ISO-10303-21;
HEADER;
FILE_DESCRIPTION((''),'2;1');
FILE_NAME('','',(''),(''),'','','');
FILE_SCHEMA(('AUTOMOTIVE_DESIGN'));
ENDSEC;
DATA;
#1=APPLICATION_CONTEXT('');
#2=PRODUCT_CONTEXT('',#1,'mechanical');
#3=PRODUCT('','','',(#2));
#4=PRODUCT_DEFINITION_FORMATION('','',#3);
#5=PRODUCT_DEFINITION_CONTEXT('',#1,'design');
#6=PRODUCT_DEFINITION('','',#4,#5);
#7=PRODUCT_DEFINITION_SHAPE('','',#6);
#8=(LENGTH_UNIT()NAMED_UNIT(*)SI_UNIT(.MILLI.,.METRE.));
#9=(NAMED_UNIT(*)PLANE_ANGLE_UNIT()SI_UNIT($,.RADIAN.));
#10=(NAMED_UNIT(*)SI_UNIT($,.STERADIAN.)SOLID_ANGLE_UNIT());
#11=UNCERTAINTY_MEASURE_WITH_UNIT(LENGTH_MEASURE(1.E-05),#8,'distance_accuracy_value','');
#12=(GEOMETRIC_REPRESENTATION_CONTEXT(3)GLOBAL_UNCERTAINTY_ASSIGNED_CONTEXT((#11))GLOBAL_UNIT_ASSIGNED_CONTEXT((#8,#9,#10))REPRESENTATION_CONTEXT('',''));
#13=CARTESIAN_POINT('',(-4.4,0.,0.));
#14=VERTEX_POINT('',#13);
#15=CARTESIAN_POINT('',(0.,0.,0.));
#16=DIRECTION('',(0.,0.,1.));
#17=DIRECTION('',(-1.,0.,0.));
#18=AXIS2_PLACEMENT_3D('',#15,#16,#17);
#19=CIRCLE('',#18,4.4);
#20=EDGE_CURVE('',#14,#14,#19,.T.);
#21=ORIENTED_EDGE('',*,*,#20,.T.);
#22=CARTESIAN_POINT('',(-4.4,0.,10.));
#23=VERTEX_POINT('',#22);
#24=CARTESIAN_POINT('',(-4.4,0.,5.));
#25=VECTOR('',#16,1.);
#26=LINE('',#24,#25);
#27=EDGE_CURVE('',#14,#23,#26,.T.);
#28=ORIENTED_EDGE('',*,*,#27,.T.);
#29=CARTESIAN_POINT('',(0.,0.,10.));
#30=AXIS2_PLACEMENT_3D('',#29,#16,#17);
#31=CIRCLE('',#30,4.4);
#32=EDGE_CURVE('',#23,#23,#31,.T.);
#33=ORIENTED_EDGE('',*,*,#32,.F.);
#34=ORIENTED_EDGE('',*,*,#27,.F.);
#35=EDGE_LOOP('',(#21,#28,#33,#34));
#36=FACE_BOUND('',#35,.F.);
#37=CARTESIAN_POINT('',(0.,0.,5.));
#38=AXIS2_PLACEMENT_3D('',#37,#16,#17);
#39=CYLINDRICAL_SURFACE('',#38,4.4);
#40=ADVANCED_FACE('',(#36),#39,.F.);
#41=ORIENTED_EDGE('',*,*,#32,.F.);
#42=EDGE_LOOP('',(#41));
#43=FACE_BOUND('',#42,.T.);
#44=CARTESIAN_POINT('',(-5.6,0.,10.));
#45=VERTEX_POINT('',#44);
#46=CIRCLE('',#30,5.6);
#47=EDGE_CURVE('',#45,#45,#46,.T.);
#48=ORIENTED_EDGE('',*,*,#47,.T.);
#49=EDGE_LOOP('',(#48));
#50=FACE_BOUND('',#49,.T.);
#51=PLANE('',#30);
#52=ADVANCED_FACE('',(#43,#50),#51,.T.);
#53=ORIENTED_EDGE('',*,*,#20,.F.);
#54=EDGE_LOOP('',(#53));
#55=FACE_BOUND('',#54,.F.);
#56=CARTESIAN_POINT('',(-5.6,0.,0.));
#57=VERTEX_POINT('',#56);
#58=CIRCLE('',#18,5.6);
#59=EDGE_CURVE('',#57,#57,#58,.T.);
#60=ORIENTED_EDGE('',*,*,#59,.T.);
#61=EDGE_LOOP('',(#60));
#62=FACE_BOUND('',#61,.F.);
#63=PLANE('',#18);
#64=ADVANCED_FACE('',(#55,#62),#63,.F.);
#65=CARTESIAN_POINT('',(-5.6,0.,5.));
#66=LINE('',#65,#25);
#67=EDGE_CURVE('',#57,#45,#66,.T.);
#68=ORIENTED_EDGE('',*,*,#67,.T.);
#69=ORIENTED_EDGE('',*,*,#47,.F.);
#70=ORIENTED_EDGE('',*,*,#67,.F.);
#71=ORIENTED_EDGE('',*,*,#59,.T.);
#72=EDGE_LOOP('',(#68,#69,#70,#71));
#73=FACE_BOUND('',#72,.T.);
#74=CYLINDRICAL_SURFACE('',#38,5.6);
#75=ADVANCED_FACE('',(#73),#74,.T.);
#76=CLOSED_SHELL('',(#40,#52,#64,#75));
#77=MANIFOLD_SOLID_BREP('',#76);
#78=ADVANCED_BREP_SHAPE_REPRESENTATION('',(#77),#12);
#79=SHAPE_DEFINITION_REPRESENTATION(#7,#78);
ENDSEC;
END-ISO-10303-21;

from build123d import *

# Parameters (mm, degrees)
SKETCH_W = 1.2
SKETCH_H = 10


with BuildPart() as part:
    # Sketch → Revolution (revolve)
    with BuildSketch(Plane.XZ):
        with Locations((-5, 5)):
            Rectangle(SKETCH_W, SKETCH_H)
    revolve(axis=Axis((0, 0, 0), (0, 0, 1)))


solid = part.part
